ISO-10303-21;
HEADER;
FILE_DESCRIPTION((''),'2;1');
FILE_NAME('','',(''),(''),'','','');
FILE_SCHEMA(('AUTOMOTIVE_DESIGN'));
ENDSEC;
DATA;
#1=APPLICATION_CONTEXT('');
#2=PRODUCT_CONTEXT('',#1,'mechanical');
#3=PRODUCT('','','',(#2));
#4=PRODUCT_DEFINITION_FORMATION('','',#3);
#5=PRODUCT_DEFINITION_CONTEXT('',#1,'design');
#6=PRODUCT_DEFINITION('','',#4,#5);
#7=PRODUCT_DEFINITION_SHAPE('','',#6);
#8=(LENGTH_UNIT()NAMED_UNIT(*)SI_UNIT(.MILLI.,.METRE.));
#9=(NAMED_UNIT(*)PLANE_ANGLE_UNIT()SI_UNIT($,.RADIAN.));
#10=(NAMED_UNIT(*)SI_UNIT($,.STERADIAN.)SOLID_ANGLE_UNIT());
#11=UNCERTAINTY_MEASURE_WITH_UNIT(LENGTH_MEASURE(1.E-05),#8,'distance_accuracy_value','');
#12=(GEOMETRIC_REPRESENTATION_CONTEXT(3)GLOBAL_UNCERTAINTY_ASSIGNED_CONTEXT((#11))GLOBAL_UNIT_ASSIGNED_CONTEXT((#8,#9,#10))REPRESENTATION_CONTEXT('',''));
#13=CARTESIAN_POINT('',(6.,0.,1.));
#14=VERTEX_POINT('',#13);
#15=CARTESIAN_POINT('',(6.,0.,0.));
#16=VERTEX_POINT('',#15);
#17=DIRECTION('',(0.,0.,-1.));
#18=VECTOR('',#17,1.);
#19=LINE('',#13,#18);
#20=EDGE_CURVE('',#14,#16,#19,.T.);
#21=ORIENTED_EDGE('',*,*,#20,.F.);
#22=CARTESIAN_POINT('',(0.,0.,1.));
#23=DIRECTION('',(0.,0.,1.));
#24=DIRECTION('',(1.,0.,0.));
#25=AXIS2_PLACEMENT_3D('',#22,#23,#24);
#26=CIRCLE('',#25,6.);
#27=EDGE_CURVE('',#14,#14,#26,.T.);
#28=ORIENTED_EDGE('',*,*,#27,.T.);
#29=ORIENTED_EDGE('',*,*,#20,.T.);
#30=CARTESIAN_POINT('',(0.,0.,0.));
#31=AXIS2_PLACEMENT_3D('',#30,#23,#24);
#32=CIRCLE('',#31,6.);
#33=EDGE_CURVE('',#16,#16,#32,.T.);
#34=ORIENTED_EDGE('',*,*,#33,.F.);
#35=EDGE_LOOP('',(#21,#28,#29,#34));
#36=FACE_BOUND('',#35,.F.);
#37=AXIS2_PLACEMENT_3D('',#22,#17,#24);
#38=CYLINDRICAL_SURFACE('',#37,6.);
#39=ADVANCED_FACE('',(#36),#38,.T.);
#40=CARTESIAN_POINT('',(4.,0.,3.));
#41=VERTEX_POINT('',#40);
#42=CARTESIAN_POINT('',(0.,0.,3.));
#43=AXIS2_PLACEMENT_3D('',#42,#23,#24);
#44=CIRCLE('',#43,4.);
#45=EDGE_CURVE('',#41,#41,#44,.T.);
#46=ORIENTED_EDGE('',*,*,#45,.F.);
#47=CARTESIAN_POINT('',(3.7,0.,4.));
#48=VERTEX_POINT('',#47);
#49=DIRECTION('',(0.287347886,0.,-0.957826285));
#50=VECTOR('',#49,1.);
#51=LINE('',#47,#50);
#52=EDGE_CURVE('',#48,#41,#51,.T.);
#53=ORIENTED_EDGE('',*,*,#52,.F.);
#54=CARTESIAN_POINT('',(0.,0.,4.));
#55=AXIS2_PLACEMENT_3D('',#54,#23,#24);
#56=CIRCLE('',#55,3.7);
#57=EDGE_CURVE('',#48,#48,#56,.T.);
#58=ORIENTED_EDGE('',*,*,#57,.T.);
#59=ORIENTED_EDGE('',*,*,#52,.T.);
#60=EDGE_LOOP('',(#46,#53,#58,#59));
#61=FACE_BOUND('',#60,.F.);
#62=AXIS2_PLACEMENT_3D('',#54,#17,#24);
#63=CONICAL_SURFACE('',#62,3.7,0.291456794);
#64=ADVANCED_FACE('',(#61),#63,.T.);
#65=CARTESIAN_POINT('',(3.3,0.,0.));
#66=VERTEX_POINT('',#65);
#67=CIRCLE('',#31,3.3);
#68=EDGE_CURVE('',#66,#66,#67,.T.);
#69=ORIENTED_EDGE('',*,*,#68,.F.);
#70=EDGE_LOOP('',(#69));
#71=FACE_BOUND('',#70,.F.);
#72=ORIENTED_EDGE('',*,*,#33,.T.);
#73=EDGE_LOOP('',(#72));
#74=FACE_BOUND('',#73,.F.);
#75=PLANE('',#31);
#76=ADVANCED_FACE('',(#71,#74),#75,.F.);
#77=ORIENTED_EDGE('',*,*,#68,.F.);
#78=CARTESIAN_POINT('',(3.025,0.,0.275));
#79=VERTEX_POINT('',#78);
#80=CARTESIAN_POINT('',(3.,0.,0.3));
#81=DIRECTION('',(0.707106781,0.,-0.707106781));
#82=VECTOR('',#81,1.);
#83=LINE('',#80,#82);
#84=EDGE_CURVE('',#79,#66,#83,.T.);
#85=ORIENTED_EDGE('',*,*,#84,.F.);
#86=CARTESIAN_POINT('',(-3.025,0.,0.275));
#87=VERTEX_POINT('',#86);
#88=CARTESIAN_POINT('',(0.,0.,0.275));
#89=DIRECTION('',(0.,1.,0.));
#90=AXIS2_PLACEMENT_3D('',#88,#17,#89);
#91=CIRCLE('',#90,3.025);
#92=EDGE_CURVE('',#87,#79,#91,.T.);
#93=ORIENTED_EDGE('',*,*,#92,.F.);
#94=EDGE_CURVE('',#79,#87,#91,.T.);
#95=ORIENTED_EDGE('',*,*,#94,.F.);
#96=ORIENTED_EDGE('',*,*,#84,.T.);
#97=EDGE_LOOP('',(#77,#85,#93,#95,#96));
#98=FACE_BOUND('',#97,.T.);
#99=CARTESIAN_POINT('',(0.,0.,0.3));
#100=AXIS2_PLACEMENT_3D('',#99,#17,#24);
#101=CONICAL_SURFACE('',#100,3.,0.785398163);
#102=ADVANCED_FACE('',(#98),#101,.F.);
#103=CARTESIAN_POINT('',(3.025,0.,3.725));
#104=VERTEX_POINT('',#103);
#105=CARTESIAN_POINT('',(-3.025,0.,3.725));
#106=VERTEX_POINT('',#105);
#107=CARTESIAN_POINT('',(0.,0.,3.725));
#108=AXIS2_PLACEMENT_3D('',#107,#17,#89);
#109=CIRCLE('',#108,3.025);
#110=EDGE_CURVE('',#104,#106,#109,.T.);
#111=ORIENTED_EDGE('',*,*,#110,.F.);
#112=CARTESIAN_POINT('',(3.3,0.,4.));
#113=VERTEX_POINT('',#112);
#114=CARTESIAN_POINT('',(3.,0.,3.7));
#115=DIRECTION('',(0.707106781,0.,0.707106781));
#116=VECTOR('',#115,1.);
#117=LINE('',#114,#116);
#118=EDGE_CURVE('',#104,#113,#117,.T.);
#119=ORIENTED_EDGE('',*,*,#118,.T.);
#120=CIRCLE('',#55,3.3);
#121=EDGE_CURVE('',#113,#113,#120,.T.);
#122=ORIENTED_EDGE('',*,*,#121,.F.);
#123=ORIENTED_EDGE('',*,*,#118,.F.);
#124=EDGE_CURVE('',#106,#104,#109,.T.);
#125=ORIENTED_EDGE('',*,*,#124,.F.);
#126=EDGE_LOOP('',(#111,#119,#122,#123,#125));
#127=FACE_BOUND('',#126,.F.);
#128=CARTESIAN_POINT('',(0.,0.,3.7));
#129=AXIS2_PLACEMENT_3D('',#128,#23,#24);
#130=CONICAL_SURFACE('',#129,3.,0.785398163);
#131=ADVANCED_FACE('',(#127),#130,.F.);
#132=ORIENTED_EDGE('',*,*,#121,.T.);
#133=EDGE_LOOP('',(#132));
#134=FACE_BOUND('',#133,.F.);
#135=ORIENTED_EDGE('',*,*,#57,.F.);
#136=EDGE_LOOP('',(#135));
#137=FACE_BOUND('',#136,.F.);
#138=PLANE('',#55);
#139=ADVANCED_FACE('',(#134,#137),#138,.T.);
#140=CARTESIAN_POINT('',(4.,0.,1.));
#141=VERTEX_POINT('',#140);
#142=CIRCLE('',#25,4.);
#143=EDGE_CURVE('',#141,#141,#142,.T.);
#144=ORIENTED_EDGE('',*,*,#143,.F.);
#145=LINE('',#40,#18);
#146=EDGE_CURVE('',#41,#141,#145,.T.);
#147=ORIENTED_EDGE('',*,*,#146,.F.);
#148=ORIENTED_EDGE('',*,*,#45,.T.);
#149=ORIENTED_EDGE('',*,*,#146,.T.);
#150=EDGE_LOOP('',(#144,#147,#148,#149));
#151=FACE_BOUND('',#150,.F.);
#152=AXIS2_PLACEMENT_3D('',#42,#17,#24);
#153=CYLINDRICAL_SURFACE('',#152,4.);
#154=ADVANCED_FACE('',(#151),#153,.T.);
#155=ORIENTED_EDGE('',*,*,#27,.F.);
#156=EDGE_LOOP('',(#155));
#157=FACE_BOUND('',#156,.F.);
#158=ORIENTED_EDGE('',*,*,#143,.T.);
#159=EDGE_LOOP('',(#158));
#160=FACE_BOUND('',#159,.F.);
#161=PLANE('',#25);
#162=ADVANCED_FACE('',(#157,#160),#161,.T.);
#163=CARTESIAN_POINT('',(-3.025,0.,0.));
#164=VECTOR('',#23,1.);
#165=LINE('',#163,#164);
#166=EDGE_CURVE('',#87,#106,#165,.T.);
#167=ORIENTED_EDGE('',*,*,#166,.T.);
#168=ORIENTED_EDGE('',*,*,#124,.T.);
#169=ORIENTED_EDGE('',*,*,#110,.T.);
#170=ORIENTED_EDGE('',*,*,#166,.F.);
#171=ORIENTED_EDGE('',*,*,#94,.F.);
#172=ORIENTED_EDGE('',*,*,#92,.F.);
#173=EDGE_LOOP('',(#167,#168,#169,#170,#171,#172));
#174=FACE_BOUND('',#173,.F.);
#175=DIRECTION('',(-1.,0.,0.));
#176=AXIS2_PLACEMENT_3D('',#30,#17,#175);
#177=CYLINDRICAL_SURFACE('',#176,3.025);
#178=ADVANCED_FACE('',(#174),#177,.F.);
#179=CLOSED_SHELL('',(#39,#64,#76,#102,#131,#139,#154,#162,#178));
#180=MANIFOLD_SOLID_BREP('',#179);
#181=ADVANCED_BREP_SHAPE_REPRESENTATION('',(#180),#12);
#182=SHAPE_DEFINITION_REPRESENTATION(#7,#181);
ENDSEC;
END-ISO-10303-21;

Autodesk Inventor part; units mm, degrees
ref_plane "YZ Plane" through (0, 0, 0) normal (1, 0, 0) x (0, 1, 0)
ref_plane "XZ Plane" through (0, 0, 0) normal (0, 1, 0) x (-1, 0, 0)
ref_plane "XY Plane" through (0, 0, 0) normal (0, 0, 1) x (1, 0, 0)
sketch "スケッチ1" plane through (0, 0, 0) normal (0, 1, 0) x (-1, 0, 0)
  line L0 (-3, 0.3) -> (-3, 3.7)
  line L1 (-3.3, 4) -> (-3.7, 4)
  line L2 (-4, 3) -> (-4, 1)
  line L3 (-4, 1) -> (-6, 1)
  line L4 (-6, 1) -> (-6, 0)
  line L5 (-6, 0) -> (-3.3, 0)
  line L6 (-3, 3.7) -> (-3.3, 4)
  line L7 (-3, 0.3) -> (-3.3, 0)
  line L8 (-3.7, 4) -> (-4, 3)
  line L9 (0, -0.8) -> (0, 4.8) projected
  point P0 (0, 0)
  point P1 (-3, 0)
  point P2 (-3, 4)
  point P3 (-4, 4)
  dimension "d2" = 1
  dimension "d9" = 1
  dimension "d11" = 6
  dimension "d12" = 8
  dimension "d13" = 12
  dimension "d14" = 0.3
  dimension "d15" = 0.3
  dimension "d16" = 0.3
  dimension "d17" = 0.3
  dimension "d18" = 0.3
  dimension "d19" = 4
revolve "回転1" add sketch "スケッチ1" angle 360 about axis through (0, 0, -10) along (0, 0, 1)
sketch "스케치2" plane through (0, 0, 0) normal (0, 0, -1) x (-1, 0, 0)
  circle A0 centre (0, 0) radius 3.3 projected
  circle A1 centre (0, 0) radius 6 projected
  circle A2 centre (0, 0) radius 3.025
  dimension "d20" = 6.05
extrude "돌출1" cut sketch "스케치2" against normal up to surface (4 mm away) contours A2
equation "\"d15\" = d14"
equation "\"d16\" = d14"
equation "\"d17\" = d16"
equation "\"d18\" = d14"
properties part number "80F-0603"
